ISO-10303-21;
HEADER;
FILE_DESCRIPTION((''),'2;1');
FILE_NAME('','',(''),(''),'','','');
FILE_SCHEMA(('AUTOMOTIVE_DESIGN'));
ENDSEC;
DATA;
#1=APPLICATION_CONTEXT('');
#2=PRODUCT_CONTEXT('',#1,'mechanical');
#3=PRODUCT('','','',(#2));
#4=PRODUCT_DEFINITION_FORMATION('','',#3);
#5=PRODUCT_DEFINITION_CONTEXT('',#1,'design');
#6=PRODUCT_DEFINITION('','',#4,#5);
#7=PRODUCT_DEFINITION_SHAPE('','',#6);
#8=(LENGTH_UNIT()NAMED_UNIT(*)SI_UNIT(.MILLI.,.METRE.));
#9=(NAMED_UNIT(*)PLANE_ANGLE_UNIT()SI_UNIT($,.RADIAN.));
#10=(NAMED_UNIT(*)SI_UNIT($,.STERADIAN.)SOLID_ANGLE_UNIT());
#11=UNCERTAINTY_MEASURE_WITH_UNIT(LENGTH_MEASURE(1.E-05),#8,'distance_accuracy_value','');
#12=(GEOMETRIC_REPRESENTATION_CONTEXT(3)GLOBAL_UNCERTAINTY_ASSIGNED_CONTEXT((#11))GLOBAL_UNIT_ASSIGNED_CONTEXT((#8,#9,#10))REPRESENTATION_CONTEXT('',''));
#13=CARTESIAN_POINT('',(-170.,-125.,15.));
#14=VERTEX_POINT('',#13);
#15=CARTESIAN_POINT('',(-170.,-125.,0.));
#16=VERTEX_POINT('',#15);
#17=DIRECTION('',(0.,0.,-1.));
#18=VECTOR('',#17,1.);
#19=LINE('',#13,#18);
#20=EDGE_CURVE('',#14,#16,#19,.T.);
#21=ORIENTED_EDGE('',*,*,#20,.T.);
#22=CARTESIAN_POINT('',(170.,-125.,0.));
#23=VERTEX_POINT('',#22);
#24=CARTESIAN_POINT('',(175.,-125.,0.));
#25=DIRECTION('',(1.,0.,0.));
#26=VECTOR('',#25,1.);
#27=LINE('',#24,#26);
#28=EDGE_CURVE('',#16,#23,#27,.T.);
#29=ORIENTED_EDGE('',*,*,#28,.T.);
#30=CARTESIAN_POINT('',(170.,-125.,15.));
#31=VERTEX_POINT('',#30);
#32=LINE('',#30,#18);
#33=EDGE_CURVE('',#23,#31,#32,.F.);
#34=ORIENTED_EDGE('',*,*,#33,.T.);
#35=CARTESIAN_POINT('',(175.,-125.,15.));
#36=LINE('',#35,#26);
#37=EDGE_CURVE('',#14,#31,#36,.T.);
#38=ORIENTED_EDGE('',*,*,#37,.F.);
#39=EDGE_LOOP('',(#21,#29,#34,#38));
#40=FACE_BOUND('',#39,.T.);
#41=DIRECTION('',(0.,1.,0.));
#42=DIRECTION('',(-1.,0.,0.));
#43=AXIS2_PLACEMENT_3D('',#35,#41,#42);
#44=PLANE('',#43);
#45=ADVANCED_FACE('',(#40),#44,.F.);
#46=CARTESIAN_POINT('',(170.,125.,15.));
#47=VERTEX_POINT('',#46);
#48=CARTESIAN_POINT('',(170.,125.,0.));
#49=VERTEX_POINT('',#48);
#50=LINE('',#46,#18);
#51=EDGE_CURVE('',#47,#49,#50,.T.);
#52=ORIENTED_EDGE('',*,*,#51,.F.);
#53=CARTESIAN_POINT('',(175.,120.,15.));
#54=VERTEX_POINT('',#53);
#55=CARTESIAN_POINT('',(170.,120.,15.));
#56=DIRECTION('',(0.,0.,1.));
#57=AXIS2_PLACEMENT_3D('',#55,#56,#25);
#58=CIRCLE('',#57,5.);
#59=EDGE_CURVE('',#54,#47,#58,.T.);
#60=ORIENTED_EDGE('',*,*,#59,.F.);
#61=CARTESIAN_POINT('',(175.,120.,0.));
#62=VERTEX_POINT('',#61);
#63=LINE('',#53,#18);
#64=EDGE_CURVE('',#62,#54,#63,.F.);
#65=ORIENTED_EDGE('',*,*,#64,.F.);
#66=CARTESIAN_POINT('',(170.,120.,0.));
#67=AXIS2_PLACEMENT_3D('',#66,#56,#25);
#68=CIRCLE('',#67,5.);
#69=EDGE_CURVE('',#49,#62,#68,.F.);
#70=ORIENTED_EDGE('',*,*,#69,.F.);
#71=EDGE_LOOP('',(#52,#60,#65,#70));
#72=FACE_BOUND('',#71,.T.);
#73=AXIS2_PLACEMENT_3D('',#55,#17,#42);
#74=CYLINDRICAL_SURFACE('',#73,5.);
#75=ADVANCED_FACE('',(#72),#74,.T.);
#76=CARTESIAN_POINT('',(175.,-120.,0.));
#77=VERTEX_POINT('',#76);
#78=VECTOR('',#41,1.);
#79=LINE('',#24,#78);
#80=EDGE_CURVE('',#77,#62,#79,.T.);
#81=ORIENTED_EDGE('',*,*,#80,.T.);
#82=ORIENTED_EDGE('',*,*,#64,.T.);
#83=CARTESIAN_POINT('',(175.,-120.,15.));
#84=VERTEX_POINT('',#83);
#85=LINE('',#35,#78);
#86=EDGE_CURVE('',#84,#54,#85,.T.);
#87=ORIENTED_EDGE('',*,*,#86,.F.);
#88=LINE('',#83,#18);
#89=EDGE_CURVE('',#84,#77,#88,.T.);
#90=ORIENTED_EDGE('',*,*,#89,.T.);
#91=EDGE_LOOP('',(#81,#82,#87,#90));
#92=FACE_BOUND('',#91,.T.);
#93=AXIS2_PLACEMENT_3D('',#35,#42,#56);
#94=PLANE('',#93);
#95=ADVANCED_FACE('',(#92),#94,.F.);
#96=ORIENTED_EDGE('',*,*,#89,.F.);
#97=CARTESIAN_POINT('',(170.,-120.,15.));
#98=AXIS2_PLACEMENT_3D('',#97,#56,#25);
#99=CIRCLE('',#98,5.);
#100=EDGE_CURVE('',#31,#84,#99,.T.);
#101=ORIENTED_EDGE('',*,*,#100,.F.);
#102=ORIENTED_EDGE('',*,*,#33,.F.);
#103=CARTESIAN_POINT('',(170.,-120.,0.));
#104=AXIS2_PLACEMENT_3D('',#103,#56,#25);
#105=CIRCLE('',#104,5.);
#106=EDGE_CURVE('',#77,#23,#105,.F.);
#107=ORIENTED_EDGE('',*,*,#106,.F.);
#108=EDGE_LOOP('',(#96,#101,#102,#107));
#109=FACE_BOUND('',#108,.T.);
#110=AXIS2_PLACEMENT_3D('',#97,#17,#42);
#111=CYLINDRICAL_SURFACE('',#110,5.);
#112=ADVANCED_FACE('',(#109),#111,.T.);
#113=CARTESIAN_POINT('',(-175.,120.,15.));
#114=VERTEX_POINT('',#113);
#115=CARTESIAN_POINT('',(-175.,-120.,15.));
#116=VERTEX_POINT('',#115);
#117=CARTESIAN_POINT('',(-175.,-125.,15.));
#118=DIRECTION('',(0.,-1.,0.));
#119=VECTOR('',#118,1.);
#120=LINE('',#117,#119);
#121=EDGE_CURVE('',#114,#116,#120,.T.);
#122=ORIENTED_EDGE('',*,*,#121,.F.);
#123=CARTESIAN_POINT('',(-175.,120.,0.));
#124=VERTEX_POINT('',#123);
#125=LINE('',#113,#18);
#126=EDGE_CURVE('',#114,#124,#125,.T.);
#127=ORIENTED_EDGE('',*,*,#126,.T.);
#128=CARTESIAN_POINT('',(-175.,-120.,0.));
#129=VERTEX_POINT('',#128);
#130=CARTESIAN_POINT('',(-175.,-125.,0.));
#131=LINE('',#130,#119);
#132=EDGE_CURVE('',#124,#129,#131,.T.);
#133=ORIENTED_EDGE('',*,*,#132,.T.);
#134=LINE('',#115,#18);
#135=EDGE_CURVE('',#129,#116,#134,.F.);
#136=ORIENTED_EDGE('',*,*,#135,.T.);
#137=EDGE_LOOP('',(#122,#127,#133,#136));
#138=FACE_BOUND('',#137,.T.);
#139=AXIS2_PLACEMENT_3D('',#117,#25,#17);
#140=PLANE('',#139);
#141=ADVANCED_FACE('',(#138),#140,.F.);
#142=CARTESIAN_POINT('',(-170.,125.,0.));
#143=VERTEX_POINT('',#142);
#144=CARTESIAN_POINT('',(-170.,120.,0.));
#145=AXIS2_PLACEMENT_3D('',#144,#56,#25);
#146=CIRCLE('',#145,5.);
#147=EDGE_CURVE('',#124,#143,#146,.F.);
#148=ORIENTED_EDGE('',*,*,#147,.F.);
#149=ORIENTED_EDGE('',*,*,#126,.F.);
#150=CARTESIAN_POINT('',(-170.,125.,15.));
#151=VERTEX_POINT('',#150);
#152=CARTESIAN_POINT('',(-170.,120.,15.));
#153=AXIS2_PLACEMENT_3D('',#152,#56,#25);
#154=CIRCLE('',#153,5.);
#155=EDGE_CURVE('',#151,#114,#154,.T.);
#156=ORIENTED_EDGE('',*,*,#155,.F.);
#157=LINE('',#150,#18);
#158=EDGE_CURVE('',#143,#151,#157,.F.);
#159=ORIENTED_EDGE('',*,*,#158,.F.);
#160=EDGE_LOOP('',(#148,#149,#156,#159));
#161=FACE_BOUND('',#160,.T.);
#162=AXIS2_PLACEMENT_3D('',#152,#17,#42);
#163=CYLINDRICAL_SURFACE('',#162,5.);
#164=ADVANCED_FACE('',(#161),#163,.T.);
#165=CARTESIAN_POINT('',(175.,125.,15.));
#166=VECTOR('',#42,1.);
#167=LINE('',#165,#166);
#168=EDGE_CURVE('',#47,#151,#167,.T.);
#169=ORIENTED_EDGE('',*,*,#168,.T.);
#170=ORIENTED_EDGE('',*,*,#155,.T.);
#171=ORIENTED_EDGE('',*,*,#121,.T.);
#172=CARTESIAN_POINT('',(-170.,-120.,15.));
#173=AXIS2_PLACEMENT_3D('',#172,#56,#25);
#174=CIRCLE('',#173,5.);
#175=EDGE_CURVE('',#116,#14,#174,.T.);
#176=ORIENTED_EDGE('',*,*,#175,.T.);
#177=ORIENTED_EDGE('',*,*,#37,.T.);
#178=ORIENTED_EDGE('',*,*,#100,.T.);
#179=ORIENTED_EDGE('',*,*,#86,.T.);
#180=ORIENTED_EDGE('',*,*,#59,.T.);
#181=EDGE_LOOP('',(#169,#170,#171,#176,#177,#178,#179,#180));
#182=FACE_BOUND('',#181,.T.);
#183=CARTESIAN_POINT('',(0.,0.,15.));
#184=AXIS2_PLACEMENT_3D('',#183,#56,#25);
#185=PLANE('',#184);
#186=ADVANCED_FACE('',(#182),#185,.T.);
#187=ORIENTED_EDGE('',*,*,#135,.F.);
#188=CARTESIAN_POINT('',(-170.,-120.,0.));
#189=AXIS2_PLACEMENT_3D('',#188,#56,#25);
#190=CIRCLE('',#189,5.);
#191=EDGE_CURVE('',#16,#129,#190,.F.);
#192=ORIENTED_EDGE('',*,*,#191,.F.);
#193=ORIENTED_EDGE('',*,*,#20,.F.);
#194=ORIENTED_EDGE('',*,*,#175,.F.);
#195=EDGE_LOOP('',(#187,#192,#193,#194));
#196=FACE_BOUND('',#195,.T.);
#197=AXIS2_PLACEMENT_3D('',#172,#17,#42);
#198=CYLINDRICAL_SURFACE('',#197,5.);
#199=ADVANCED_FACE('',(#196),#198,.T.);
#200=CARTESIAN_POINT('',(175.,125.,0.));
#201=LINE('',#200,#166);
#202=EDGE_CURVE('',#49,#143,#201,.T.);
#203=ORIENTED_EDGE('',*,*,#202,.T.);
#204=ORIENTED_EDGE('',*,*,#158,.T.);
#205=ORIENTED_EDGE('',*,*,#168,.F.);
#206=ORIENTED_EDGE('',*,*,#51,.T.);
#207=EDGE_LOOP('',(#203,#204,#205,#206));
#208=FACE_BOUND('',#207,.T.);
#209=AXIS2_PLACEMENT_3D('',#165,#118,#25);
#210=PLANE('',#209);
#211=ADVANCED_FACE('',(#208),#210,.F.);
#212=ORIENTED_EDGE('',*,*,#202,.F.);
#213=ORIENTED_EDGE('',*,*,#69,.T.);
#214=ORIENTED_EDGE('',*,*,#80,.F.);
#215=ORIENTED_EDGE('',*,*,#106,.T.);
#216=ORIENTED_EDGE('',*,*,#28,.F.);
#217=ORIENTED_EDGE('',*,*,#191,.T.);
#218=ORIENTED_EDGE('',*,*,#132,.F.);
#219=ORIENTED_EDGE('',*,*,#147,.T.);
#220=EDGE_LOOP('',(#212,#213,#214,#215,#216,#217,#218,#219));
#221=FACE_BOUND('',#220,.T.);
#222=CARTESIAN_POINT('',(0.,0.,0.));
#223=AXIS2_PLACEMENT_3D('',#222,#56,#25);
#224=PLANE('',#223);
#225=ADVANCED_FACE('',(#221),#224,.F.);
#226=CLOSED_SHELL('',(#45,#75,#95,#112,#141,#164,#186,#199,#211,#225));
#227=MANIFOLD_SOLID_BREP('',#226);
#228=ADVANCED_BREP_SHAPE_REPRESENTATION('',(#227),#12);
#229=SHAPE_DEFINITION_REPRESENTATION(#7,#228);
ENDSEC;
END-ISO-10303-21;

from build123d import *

# Parameters (mm, degrees)
ESQUISSE1_W        = 350
ESQUISSE1_H        = 250
BOSS_EXTRU_1_DEPTH = 15
CONG_1_R           = 5


with BuildPart() as part:
    # Esquisse1 → Boss.-Extru.1 (new body)
    with BuildSketch(Plane.XY):
        Rectangle(ESQUISSE1_W, ESQUISSE1_H)
    extrude(amount=BOSS_EXTRU_1_DEPTH)

    # Congé1
    cong_1_edges = [part.edges().sort_by_distance(p)[0] for p in [
        (-175, 125, 7.5),
        (175, 125, 7.5),
        (175, -125, 7.5),
        (-175, -125, 7.5),
    ]]
    fillet(cong_1_edges, radius=CONG_1_R)


solid = part.part
